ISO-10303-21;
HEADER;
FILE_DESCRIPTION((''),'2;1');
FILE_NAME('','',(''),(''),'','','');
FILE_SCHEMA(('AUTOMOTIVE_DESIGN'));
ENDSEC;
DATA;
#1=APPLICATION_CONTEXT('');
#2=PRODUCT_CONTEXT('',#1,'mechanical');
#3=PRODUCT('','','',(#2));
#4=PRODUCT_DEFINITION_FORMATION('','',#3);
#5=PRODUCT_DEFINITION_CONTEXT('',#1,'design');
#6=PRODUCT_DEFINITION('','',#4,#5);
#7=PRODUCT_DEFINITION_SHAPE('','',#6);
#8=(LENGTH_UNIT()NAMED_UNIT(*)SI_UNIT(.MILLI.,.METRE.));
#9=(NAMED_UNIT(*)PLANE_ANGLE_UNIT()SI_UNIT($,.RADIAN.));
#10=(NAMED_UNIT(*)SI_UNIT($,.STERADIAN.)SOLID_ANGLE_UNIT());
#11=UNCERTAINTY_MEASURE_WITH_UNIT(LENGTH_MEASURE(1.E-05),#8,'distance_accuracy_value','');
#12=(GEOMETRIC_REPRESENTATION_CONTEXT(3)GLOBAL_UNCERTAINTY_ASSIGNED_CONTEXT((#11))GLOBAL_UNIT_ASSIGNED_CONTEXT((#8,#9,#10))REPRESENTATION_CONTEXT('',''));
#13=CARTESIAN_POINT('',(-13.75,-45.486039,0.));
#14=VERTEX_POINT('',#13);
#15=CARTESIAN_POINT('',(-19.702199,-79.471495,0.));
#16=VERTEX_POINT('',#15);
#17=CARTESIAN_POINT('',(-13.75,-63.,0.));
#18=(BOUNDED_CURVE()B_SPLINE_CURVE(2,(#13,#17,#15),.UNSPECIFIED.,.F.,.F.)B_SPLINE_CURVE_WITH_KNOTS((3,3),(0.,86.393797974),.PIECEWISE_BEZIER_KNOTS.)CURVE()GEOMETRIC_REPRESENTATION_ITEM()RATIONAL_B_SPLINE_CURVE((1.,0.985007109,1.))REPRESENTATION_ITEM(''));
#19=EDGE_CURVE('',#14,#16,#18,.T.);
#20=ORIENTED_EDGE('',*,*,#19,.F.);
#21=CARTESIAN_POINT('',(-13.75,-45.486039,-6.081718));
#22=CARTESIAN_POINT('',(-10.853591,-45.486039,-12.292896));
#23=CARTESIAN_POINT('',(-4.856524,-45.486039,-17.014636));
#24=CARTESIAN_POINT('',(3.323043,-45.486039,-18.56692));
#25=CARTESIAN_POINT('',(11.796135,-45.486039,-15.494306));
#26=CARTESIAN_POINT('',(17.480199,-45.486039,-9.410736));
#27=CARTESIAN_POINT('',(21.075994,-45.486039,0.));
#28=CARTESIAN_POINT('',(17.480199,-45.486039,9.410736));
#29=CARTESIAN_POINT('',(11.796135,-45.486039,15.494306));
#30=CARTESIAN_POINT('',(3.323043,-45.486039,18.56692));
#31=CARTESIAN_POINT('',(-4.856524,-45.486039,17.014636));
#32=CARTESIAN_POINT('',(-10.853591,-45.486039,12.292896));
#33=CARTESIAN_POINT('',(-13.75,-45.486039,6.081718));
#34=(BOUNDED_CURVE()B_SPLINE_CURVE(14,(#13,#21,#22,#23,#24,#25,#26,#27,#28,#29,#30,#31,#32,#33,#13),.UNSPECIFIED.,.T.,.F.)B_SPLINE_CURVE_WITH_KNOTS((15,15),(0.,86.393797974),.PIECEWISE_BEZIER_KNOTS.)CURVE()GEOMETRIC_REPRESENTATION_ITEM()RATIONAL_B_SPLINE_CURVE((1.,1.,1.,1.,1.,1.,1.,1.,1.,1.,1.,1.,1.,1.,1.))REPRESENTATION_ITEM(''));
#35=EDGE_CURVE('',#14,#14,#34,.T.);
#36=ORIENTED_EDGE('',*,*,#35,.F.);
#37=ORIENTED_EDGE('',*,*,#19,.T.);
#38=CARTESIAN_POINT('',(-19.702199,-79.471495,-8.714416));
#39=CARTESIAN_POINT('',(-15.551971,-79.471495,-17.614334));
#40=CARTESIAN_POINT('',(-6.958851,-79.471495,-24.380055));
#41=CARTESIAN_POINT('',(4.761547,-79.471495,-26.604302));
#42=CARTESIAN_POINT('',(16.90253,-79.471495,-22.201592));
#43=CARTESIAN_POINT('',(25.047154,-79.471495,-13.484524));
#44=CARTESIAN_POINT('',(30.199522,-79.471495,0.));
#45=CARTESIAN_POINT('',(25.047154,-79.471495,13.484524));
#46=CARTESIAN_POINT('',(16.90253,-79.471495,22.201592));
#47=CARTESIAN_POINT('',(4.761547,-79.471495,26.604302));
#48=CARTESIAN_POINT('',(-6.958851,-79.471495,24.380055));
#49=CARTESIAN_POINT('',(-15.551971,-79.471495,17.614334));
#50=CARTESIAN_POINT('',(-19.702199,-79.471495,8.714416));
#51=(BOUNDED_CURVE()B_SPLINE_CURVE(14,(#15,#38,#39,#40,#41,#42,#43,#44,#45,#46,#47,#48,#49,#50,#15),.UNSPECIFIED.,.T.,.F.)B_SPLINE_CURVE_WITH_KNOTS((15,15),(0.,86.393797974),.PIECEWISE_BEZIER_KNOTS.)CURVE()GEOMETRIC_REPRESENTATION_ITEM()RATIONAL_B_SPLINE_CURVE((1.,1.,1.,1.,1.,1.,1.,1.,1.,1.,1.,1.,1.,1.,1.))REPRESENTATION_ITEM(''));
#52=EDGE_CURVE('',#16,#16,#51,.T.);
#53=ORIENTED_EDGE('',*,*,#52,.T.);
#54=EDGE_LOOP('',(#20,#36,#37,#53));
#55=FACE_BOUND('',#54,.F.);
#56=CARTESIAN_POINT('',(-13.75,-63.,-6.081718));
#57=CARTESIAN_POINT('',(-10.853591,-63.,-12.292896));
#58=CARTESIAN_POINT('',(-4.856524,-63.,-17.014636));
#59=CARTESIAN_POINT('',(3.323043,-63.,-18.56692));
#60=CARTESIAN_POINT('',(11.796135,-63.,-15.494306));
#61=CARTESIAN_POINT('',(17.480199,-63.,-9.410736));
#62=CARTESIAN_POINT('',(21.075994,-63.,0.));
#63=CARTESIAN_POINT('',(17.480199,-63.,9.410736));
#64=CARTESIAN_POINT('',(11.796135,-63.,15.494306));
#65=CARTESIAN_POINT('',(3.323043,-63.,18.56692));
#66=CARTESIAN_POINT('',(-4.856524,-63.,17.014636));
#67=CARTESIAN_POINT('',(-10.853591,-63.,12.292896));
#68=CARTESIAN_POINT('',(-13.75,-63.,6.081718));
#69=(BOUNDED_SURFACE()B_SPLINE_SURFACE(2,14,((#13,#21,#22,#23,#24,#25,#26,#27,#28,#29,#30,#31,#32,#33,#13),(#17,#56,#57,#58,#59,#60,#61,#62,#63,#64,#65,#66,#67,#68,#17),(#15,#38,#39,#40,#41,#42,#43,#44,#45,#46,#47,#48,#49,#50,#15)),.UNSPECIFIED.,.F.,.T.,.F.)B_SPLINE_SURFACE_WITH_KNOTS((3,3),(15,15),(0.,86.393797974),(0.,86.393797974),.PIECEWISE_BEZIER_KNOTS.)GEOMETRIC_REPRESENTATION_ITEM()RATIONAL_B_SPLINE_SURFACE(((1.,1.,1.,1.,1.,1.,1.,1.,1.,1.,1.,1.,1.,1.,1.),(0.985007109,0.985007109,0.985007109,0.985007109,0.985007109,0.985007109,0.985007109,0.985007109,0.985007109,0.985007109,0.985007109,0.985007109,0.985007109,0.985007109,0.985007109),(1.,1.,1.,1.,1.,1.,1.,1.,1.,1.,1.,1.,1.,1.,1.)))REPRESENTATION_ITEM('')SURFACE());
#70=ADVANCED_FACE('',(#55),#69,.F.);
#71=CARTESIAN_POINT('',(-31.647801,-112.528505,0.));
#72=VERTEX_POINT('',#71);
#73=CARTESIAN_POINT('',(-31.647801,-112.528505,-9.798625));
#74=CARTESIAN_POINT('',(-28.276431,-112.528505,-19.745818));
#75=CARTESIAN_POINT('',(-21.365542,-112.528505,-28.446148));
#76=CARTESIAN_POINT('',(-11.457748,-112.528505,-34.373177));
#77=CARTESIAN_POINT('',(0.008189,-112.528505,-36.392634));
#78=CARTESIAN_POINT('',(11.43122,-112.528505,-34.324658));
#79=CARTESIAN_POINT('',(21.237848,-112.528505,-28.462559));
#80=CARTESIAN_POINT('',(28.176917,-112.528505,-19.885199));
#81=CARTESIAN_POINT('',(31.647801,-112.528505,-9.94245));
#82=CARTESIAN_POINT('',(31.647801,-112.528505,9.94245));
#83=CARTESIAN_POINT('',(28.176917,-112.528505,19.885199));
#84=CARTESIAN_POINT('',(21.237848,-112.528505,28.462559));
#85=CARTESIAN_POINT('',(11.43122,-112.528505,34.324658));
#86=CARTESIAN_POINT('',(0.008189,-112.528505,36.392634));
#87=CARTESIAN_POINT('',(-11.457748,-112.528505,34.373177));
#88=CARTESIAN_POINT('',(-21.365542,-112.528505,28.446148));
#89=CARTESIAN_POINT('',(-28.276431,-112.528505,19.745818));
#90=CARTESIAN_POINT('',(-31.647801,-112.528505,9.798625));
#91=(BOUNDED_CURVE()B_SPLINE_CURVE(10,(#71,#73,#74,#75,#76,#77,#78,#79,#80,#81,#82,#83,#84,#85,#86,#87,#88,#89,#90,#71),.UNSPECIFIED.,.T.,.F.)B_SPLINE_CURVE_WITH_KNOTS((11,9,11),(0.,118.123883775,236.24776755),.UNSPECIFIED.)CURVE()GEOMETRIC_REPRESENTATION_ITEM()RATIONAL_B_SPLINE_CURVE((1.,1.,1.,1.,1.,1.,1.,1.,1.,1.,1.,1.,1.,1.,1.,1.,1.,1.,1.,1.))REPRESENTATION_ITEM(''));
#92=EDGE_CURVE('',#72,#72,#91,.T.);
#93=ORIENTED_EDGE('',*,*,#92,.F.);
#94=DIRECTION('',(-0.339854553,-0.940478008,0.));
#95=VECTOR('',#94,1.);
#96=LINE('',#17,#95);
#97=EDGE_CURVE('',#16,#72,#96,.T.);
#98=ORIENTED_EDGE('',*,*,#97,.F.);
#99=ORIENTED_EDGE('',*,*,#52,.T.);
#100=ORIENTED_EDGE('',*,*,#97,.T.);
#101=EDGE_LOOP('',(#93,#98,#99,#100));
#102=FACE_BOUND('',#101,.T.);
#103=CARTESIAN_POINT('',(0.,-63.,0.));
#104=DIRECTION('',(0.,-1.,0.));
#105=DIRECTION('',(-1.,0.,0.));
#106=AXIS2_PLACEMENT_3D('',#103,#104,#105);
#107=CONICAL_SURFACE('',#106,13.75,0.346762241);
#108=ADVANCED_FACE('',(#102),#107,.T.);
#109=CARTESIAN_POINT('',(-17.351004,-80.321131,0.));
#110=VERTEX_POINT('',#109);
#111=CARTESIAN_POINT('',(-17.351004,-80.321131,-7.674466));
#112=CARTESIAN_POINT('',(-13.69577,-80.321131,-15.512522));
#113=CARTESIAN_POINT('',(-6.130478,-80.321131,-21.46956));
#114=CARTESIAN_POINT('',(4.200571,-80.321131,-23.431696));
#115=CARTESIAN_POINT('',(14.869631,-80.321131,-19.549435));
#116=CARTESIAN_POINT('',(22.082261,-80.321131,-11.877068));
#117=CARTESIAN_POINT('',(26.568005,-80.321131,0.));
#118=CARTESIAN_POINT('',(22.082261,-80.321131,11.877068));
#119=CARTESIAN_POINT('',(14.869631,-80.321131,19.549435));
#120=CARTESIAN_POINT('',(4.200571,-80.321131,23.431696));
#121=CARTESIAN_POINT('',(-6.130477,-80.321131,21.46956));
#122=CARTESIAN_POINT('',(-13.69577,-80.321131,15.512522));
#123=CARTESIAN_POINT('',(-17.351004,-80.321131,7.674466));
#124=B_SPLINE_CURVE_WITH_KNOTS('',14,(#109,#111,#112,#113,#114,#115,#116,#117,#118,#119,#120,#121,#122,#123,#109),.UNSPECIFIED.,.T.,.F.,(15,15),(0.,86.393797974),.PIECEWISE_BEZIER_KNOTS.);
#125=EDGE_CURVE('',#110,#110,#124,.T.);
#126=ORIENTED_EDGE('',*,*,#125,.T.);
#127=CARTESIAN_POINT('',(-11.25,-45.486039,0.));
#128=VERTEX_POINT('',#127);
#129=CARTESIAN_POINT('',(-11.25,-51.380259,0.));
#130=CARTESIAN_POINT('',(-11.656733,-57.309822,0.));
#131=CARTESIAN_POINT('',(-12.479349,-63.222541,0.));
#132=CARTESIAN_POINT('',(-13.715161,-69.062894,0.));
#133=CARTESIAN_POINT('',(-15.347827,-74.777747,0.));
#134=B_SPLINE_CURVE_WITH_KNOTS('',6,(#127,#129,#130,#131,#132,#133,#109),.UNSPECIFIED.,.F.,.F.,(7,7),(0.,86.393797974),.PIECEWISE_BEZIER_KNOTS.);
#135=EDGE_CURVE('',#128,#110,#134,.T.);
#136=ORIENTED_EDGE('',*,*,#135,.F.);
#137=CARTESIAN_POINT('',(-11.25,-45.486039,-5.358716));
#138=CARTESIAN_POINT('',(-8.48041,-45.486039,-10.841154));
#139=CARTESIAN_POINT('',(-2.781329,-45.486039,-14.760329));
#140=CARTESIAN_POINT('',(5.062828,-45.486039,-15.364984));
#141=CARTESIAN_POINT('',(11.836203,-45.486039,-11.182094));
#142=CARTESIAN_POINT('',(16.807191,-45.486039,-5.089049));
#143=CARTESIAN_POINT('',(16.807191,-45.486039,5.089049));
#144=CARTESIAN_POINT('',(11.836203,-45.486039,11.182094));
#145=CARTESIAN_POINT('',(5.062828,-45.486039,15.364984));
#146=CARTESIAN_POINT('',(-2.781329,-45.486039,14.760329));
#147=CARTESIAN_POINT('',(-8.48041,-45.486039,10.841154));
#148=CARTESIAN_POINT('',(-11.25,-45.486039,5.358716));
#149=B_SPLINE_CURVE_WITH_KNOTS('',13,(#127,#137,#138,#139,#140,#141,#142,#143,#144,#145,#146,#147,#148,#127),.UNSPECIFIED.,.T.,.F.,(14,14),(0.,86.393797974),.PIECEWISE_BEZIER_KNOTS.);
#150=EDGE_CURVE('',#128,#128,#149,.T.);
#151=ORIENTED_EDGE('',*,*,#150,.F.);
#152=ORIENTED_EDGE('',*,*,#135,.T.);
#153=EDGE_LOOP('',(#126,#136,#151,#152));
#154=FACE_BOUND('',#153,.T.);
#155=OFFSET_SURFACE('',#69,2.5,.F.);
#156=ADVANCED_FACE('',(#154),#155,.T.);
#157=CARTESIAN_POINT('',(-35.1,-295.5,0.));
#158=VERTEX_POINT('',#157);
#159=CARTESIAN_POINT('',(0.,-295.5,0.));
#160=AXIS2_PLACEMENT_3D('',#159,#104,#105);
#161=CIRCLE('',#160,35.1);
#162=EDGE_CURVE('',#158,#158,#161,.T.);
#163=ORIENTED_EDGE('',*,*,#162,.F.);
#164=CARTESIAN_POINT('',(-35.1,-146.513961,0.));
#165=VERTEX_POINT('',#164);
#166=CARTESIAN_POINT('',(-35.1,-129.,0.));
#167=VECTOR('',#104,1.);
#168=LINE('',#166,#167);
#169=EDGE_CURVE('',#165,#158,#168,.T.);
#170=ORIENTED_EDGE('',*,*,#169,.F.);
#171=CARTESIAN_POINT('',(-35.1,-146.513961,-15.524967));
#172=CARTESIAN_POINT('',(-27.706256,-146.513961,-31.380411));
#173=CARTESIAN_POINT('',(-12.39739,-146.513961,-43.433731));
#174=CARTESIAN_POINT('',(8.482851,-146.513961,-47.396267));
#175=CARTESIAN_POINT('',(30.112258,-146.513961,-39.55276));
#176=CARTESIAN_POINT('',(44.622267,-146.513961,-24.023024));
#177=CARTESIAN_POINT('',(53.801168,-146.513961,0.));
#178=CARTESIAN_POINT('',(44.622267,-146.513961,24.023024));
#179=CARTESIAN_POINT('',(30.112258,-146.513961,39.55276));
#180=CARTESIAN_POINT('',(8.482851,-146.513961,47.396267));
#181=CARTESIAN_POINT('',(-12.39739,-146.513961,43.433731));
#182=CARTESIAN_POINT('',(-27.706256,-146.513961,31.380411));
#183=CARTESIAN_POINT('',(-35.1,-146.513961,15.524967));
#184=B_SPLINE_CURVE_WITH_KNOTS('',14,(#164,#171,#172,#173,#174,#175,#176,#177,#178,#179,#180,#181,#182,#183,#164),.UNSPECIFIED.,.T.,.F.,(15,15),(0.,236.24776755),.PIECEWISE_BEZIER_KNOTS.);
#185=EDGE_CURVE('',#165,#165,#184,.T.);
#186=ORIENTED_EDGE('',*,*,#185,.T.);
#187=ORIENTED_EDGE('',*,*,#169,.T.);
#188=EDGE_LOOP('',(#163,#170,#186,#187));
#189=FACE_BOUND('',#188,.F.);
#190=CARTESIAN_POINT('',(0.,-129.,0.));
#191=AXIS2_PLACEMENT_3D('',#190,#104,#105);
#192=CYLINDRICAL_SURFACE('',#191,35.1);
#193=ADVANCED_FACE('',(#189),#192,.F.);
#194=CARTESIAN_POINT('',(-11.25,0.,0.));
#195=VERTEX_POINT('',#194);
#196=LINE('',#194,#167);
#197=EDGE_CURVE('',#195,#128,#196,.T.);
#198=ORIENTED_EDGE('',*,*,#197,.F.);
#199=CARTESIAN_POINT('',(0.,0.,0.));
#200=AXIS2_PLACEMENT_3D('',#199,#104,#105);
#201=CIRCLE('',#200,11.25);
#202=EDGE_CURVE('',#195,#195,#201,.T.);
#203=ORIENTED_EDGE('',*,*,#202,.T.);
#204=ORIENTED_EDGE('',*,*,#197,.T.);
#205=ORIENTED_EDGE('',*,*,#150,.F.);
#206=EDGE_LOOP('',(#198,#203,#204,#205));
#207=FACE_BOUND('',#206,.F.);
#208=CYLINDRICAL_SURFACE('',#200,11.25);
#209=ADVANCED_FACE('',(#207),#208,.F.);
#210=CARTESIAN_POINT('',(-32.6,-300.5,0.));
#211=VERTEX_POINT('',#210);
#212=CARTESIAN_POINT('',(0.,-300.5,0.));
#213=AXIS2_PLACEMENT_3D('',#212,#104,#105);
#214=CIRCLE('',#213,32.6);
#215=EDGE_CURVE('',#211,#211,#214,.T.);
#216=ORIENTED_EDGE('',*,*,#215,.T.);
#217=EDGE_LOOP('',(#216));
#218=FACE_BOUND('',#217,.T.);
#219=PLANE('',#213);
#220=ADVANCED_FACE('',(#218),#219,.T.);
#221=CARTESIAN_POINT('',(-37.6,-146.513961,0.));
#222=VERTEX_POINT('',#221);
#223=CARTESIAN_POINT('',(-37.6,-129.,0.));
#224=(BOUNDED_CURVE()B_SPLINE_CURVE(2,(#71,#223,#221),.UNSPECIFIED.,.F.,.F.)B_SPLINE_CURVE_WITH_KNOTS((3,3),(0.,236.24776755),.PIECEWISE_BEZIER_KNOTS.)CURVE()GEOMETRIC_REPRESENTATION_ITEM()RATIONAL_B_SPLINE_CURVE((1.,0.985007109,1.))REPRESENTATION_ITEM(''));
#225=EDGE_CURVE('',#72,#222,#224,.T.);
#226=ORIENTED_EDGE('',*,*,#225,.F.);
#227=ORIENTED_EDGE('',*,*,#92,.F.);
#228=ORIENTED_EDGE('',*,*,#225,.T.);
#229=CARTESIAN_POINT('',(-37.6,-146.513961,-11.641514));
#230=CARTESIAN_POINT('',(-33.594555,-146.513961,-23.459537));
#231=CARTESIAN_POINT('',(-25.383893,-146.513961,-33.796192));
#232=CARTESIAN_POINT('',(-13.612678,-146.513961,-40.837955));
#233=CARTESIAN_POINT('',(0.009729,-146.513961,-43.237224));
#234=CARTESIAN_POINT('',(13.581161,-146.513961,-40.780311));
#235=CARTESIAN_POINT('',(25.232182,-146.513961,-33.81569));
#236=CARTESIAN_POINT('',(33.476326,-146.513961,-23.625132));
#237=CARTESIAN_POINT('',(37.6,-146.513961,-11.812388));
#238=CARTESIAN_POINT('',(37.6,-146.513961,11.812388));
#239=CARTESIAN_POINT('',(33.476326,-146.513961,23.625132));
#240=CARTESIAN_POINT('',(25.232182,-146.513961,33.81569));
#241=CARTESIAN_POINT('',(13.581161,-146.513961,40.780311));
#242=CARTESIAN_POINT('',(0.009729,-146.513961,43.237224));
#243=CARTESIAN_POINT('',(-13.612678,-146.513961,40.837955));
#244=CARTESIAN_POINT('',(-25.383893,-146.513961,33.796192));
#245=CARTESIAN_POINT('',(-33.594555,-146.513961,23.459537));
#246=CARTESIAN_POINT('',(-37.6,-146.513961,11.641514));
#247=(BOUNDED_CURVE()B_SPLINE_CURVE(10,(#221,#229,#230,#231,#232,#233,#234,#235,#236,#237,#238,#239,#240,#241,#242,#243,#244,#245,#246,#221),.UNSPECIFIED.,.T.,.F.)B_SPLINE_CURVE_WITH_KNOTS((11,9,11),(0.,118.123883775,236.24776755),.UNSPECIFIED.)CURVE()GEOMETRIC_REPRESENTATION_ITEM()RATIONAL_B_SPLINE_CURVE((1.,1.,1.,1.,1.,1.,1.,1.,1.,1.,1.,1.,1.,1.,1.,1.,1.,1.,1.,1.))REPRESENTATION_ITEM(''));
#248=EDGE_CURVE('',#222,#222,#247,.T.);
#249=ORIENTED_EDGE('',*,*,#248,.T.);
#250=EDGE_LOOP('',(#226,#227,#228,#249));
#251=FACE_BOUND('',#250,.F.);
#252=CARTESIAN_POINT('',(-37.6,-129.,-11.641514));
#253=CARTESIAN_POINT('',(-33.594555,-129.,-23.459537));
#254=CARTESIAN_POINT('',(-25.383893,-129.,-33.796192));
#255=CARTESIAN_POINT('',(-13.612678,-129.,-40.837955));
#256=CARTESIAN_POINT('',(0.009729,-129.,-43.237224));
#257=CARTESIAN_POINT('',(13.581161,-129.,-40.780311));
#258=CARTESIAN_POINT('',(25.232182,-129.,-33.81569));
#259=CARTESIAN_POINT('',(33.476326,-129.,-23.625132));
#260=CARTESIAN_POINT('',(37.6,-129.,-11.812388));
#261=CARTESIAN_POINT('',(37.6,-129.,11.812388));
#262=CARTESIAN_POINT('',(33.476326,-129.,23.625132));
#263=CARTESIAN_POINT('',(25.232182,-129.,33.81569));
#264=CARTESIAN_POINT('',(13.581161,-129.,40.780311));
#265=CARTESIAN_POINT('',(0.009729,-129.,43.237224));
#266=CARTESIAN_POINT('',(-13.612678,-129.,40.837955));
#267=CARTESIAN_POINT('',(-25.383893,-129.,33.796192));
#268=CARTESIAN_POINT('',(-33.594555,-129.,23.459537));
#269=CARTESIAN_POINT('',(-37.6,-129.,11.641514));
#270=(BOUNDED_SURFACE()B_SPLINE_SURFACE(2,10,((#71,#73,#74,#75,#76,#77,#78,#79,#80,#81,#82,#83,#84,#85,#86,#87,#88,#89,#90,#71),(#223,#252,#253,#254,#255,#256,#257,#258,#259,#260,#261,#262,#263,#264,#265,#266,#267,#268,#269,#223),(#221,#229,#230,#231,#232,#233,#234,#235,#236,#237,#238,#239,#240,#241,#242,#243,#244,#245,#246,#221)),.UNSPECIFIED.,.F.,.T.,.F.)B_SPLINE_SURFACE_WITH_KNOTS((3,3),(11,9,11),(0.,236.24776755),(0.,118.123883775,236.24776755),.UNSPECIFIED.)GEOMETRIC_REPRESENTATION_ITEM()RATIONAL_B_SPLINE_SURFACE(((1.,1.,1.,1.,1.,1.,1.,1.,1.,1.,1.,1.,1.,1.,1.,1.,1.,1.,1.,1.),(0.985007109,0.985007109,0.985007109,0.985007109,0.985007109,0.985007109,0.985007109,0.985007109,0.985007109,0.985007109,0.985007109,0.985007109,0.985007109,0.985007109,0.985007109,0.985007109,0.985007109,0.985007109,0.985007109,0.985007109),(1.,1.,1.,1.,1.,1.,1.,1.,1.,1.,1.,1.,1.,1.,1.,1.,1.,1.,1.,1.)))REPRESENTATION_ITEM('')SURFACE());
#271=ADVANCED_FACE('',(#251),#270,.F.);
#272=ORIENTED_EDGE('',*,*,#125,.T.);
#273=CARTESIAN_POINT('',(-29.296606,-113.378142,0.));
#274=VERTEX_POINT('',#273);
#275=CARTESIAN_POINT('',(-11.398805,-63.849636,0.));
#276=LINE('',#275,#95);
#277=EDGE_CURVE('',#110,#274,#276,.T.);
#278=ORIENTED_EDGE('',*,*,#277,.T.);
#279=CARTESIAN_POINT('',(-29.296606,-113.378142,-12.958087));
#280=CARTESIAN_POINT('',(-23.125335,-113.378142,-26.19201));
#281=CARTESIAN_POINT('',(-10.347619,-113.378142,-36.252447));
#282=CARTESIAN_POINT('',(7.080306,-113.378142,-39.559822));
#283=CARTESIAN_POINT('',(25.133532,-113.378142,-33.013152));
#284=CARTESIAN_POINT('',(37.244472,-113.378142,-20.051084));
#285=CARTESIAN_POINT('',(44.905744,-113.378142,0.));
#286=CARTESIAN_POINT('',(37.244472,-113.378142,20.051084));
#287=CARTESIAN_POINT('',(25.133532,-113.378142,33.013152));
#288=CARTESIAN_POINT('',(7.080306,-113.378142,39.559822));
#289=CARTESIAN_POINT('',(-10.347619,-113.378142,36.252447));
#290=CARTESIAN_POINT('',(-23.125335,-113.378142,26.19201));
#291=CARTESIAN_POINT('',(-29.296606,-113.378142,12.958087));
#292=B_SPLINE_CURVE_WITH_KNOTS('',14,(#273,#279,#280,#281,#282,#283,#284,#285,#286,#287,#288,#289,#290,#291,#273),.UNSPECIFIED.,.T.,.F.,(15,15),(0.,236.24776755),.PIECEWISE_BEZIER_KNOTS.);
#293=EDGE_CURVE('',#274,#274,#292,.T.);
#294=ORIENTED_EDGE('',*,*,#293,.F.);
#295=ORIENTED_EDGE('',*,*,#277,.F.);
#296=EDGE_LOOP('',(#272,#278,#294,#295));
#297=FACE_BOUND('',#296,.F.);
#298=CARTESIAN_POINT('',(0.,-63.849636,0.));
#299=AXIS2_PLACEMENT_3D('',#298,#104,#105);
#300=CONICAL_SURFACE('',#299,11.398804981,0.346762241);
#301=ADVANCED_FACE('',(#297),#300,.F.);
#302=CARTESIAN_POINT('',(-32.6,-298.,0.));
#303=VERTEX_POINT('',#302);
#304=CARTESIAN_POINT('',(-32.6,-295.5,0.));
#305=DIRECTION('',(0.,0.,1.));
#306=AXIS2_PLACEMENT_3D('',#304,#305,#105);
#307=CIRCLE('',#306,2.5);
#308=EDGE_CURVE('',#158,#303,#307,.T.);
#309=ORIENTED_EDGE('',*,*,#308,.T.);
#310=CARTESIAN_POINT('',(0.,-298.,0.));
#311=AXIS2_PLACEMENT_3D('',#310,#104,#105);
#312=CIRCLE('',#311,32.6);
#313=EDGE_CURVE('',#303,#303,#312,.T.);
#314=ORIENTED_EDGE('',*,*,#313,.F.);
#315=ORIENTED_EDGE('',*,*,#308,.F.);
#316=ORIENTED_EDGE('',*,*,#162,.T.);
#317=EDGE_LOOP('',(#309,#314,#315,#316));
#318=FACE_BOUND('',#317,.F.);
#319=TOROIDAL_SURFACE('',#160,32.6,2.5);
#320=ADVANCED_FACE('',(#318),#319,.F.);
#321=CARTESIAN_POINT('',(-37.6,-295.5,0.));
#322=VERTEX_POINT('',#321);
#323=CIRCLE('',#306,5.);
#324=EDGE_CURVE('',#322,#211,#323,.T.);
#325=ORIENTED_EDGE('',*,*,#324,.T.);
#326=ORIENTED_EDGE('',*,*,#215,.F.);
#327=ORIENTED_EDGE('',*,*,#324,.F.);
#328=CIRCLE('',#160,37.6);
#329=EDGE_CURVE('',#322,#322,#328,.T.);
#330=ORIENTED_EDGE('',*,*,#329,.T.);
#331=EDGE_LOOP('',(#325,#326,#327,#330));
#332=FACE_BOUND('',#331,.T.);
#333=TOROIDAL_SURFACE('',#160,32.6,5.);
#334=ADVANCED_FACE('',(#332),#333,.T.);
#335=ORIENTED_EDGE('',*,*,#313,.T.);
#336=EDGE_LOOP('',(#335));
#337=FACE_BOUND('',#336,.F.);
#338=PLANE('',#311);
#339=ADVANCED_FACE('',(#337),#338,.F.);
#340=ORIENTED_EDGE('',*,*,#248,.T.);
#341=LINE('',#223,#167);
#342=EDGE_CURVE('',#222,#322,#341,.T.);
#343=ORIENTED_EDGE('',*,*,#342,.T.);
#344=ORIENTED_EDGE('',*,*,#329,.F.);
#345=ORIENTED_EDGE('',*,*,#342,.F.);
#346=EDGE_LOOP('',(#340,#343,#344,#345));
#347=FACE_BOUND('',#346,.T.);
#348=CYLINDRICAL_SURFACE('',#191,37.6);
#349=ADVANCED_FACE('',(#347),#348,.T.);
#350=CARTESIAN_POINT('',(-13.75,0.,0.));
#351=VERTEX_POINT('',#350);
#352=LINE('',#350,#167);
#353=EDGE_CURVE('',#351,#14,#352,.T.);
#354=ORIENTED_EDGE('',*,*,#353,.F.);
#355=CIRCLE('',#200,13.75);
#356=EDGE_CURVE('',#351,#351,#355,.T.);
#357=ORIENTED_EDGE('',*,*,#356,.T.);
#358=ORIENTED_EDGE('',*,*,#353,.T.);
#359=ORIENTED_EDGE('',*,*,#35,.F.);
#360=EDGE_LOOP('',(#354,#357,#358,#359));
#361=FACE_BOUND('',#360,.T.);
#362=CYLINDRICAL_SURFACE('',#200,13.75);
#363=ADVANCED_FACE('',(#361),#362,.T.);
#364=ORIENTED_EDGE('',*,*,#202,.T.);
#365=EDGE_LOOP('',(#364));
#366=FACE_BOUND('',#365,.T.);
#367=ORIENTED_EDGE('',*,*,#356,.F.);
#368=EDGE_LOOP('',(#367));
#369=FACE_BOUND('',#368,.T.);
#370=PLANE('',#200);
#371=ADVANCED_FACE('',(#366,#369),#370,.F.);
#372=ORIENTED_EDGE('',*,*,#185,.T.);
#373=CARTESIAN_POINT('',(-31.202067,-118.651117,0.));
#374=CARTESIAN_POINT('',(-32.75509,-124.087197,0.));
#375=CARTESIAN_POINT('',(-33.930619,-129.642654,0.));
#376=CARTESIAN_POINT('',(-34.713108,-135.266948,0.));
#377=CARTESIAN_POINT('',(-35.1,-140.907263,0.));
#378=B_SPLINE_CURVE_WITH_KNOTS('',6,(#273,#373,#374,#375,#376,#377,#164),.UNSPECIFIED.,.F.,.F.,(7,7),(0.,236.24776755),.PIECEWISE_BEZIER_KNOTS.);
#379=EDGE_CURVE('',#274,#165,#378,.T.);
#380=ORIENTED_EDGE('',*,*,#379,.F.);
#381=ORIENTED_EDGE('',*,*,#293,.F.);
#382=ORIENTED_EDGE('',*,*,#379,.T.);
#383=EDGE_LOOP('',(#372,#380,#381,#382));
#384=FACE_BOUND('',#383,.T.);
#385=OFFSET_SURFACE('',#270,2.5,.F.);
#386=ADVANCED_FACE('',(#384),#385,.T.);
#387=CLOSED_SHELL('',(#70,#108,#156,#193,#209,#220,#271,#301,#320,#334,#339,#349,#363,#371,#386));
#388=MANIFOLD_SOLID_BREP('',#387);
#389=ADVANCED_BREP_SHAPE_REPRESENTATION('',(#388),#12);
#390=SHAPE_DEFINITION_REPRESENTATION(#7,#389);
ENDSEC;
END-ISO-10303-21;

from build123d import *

# Parameters (mm, degrees)
F2_R = 100
F3_R = 5
F4_T = -2.5


with BuildPart() as f1:
    # F0 (on Top) → F1 (revolve)
    with BuildSketch(Plane.XY):
        Polygon((0, -300.5), (0, 0), (-13.75, 0), (-13.75, -63), (-37.6, -129), (-37.6, -300.5), align=None)
    revolve(axis=Axis((0, -150.25, 0), (0, -1, 0)))

    # F2
    f2_edges = [f1.edges().sort_by_distance(p)[0] for p in [
        (13.75, -63, 0),
        (37.6, -129, 0),
    ]]
    fillet(f2_edges, radius=F2_R)

    # F3
    f3_edges = [f1.edges().sort_by_distance(p)[0] for p in [
        (37.6, -300.5, 0),
    ]]
    fillet(f3_edges, radius=F3_R)

    # F4
    f4_openings = [f1.faces().sort_by_distance(p)[0] for p in [
        (0, 0, 0),
    ]]
    offset(amount=F4_T, openings=f4_openings)


solid = f1.part
